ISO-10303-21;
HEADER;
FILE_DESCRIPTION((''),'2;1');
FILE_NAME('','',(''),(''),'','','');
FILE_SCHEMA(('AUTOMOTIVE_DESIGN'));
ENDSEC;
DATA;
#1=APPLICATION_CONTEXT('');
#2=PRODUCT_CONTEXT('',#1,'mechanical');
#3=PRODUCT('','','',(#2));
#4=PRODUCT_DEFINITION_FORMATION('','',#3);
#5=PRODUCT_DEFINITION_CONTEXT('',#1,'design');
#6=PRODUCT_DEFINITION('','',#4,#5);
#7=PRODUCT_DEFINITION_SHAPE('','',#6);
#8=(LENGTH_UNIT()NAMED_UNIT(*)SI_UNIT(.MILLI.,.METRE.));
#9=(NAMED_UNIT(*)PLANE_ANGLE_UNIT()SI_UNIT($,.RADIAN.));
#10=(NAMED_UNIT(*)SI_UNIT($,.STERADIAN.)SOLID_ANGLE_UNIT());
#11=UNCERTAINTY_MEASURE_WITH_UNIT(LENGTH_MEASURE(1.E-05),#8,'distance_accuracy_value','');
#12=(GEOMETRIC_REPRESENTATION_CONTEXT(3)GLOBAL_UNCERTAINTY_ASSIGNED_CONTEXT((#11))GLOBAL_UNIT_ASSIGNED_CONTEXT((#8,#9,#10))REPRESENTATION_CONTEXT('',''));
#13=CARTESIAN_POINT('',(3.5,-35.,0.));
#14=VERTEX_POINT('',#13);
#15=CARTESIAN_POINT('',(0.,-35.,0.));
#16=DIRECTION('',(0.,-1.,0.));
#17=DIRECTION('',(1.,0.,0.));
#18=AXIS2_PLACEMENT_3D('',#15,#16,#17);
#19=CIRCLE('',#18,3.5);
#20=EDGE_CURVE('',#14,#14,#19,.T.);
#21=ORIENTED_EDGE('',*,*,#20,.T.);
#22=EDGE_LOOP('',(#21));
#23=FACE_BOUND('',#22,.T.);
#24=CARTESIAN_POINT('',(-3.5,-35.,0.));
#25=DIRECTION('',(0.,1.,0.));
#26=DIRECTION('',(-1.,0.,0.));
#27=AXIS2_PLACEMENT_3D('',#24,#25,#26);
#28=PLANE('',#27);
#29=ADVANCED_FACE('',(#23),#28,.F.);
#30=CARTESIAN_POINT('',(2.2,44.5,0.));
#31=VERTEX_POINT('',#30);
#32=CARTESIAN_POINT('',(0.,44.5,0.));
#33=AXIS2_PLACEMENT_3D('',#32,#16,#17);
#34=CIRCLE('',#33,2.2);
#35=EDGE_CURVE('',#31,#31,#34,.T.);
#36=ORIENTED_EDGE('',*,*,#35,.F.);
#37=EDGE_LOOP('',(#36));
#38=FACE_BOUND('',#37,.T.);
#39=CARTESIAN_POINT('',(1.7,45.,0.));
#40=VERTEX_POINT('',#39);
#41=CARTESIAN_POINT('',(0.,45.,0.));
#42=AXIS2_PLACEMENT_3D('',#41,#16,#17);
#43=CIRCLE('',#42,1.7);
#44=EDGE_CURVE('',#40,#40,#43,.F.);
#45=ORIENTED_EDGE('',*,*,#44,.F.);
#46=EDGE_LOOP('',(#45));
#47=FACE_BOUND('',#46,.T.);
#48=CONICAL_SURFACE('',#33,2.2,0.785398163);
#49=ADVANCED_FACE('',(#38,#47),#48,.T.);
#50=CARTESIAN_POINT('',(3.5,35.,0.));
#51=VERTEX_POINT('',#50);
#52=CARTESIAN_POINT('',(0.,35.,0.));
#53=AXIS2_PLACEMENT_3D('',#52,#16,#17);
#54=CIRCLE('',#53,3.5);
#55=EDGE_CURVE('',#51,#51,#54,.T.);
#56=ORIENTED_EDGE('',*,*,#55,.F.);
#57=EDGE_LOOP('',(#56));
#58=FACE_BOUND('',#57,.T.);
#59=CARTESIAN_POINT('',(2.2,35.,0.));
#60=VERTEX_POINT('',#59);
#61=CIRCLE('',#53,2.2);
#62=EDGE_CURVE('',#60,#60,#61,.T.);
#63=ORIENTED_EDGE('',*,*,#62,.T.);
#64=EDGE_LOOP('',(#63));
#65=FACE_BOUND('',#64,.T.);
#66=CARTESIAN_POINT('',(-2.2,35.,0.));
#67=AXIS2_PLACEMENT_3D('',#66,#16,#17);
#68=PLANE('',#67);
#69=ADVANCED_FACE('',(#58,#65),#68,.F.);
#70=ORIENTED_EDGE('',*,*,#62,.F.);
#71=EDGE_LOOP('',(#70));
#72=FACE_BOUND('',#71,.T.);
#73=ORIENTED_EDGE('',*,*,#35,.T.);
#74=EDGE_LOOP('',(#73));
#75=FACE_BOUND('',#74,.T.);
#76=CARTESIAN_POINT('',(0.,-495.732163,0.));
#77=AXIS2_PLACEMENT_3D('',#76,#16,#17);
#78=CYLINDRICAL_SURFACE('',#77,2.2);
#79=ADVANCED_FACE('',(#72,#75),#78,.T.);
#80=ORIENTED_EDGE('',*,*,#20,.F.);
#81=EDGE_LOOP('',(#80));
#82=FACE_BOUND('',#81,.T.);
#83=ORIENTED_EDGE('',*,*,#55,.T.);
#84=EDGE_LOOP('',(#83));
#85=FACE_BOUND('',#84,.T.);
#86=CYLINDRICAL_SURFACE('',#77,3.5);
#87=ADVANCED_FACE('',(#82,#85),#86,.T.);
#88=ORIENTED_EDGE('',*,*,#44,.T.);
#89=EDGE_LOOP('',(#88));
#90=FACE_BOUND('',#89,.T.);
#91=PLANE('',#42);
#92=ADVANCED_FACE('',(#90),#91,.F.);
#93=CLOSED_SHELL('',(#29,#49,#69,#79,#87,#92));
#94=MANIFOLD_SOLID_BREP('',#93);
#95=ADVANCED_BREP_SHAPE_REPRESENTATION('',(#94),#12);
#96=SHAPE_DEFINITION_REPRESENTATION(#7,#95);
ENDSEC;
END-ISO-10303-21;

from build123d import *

# Parameters (mm, degrees)
CHAMFER1_SIZE = 0.5


with BuildPart() as part:
    # Sketch1 → Revolve1 (revolve)
    with BuildSketch(Plane.XY):
        Polygon((0, 45), (-2.2, 45), (-2.2, 35), (-3.5, 35), (-3.5, -35), (0, -35), align=None)
    revolve(axis=Axis((0, -495.732162905, 0), (0, 1, 0)))

    # Chamfer1
    chamfer1_edges = [part.edges().sort_by_distance(p)[0] for p in [
        (2.2, 45, 0),
    ]]
    chamfer(chamfer1_edges, length=CHAMFER1_SIZE)


solid = part.part
